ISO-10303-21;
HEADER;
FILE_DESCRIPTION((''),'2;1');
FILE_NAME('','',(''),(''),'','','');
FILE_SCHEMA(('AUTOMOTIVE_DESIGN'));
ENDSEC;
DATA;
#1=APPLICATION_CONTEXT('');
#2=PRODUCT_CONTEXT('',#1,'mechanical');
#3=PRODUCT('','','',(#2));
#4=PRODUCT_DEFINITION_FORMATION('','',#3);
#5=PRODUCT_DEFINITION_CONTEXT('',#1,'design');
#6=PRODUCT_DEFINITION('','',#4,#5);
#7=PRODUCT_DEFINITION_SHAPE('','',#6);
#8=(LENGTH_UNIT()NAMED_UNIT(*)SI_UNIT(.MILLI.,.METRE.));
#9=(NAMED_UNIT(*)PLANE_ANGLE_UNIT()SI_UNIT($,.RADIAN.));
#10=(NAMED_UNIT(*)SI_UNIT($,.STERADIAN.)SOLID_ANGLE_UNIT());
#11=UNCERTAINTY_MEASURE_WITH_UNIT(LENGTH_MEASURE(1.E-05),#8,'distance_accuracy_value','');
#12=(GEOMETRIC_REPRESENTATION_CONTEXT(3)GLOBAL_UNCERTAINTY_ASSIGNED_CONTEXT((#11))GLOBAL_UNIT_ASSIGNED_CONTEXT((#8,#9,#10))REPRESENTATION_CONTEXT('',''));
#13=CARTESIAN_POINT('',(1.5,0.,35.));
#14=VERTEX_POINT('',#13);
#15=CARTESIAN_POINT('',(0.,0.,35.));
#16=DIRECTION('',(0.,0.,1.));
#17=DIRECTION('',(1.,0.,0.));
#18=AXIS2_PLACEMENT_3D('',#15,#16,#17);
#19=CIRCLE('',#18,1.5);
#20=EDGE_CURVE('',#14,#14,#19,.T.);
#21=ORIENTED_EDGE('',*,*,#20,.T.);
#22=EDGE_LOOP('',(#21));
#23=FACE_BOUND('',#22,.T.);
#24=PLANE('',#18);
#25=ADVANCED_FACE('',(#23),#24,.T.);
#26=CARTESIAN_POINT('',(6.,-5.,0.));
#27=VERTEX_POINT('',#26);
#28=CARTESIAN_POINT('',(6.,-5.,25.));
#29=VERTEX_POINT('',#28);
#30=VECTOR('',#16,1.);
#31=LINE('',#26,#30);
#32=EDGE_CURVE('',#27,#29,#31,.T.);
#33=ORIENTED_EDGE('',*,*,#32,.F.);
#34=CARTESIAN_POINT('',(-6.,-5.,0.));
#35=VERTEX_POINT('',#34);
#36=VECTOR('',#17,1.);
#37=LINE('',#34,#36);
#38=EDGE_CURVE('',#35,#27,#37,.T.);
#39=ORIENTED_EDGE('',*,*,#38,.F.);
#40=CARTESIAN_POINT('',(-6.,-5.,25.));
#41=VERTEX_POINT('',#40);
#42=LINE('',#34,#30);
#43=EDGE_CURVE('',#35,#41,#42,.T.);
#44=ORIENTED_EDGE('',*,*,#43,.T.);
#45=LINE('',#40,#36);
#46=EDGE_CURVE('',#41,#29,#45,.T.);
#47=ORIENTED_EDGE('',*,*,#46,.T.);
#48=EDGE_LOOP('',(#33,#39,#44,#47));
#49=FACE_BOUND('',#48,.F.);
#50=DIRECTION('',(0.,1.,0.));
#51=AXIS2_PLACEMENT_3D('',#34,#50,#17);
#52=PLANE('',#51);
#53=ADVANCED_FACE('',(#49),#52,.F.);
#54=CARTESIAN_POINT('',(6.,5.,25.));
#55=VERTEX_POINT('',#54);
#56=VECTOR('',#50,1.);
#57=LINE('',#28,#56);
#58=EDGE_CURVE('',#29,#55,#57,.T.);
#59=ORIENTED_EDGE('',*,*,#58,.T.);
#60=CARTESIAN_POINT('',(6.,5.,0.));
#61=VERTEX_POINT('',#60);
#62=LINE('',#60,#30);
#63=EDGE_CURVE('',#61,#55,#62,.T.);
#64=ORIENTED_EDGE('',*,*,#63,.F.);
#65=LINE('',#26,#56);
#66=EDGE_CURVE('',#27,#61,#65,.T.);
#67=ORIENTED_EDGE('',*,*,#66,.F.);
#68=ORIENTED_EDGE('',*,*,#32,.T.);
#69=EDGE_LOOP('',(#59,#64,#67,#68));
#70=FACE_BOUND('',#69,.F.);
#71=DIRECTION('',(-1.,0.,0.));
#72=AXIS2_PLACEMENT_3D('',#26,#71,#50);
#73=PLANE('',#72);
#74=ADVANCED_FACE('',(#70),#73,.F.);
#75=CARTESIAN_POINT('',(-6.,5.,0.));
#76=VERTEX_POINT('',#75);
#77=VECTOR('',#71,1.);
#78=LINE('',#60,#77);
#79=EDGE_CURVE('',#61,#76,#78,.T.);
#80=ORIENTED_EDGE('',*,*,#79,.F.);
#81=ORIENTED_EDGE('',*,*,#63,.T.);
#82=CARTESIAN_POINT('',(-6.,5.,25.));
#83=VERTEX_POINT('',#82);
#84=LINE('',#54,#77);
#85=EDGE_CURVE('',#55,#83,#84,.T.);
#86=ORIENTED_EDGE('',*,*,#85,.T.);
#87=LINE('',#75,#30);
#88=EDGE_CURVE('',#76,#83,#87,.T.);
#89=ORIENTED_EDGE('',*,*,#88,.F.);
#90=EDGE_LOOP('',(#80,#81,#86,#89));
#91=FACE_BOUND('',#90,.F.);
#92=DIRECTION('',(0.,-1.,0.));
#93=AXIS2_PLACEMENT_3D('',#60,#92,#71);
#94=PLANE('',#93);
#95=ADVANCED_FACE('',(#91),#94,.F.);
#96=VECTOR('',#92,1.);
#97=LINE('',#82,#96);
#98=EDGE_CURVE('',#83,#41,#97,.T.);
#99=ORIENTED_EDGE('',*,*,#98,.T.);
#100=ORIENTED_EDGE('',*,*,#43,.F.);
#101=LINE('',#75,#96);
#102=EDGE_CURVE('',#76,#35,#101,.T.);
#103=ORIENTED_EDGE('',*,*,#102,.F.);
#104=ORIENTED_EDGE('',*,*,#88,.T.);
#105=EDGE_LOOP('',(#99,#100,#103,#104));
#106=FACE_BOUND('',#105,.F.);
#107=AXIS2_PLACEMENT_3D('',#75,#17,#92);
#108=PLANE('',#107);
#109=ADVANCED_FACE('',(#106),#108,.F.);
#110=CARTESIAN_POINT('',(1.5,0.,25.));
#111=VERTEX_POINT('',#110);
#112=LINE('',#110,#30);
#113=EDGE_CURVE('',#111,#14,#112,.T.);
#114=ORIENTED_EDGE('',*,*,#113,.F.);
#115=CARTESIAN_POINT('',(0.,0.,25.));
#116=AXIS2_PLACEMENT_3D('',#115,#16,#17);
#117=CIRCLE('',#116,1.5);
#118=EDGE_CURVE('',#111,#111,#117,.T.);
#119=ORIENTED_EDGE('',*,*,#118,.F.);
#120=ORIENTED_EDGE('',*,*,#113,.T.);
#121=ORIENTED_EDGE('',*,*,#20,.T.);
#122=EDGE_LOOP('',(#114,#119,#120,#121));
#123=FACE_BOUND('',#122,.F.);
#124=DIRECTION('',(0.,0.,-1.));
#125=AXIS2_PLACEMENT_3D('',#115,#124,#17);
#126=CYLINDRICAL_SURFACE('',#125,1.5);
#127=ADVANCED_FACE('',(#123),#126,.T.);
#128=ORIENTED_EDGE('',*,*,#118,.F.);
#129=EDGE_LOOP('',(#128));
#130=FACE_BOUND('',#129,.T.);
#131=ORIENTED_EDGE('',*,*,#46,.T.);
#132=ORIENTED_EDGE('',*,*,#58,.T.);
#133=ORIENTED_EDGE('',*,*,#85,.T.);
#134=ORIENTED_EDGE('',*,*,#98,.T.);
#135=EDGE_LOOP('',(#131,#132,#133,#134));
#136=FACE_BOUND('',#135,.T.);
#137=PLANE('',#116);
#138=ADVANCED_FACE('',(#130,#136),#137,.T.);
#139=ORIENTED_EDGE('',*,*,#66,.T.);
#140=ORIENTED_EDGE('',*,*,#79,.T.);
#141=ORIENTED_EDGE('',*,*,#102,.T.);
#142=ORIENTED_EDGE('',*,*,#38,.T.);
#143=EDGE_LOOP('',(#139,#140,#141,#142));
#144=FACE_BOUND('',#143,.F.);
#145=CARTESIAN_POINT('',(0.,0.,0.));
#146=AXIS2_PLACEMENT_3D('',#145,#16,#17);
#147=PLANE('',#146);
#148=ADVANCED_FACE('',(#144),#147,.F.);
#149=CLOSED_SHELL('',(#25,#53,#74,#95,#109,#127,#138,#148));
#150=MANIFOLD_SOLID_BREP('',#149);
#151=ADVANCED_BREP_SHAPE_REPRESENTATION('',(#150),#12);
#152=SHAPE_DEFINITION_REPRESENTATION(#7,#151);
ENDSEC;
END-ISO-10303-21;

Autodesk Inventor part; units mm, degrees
ref_plane "YZ Plane" through (0, 0, 0) normal (1, 0, 0) x (0, 1, 0)
ref_plane "XZ Plane" through (0, 0, 0) normal (0, 1, 0) x (-1, 0, 0)
ref_plane "XY Plane" through (0, 0, 0) normal (0, 0, 1) x (1, 0, 0)
sketch "Náčrt1" plane through (0, 0, 0) normal (0, 0, 1) x (1, 0, 0)
  line L0 (-6, -5) -> (6, -5)
  line L1 (6, -5) -> (6, 5)
  line L2 (6, 5) -> (-6, 5)
  line L3 (-6, 5) -> (-6, -5)
  point P0 (0, 0)
  dimension "d2" = 12
  dimension "d3" = 10
  dimension "d4" = 6
  dimension "d5" = 5
extrude "Vysunutí1" add sketch "Náčrt1" along normal blind 25
sketch "Náčrt2" plane through (0, 0, 25) normal (0, 0, 1) x (1, 0, 0)
  circle A0 centre (0, 0) radius 1.5
  dimension "d8" = 3
extrude "Vysunutí2" add sketch "Náčrt2" along normal blind 10
properties part number "motor GA12-N20 12V s převodovkou"
